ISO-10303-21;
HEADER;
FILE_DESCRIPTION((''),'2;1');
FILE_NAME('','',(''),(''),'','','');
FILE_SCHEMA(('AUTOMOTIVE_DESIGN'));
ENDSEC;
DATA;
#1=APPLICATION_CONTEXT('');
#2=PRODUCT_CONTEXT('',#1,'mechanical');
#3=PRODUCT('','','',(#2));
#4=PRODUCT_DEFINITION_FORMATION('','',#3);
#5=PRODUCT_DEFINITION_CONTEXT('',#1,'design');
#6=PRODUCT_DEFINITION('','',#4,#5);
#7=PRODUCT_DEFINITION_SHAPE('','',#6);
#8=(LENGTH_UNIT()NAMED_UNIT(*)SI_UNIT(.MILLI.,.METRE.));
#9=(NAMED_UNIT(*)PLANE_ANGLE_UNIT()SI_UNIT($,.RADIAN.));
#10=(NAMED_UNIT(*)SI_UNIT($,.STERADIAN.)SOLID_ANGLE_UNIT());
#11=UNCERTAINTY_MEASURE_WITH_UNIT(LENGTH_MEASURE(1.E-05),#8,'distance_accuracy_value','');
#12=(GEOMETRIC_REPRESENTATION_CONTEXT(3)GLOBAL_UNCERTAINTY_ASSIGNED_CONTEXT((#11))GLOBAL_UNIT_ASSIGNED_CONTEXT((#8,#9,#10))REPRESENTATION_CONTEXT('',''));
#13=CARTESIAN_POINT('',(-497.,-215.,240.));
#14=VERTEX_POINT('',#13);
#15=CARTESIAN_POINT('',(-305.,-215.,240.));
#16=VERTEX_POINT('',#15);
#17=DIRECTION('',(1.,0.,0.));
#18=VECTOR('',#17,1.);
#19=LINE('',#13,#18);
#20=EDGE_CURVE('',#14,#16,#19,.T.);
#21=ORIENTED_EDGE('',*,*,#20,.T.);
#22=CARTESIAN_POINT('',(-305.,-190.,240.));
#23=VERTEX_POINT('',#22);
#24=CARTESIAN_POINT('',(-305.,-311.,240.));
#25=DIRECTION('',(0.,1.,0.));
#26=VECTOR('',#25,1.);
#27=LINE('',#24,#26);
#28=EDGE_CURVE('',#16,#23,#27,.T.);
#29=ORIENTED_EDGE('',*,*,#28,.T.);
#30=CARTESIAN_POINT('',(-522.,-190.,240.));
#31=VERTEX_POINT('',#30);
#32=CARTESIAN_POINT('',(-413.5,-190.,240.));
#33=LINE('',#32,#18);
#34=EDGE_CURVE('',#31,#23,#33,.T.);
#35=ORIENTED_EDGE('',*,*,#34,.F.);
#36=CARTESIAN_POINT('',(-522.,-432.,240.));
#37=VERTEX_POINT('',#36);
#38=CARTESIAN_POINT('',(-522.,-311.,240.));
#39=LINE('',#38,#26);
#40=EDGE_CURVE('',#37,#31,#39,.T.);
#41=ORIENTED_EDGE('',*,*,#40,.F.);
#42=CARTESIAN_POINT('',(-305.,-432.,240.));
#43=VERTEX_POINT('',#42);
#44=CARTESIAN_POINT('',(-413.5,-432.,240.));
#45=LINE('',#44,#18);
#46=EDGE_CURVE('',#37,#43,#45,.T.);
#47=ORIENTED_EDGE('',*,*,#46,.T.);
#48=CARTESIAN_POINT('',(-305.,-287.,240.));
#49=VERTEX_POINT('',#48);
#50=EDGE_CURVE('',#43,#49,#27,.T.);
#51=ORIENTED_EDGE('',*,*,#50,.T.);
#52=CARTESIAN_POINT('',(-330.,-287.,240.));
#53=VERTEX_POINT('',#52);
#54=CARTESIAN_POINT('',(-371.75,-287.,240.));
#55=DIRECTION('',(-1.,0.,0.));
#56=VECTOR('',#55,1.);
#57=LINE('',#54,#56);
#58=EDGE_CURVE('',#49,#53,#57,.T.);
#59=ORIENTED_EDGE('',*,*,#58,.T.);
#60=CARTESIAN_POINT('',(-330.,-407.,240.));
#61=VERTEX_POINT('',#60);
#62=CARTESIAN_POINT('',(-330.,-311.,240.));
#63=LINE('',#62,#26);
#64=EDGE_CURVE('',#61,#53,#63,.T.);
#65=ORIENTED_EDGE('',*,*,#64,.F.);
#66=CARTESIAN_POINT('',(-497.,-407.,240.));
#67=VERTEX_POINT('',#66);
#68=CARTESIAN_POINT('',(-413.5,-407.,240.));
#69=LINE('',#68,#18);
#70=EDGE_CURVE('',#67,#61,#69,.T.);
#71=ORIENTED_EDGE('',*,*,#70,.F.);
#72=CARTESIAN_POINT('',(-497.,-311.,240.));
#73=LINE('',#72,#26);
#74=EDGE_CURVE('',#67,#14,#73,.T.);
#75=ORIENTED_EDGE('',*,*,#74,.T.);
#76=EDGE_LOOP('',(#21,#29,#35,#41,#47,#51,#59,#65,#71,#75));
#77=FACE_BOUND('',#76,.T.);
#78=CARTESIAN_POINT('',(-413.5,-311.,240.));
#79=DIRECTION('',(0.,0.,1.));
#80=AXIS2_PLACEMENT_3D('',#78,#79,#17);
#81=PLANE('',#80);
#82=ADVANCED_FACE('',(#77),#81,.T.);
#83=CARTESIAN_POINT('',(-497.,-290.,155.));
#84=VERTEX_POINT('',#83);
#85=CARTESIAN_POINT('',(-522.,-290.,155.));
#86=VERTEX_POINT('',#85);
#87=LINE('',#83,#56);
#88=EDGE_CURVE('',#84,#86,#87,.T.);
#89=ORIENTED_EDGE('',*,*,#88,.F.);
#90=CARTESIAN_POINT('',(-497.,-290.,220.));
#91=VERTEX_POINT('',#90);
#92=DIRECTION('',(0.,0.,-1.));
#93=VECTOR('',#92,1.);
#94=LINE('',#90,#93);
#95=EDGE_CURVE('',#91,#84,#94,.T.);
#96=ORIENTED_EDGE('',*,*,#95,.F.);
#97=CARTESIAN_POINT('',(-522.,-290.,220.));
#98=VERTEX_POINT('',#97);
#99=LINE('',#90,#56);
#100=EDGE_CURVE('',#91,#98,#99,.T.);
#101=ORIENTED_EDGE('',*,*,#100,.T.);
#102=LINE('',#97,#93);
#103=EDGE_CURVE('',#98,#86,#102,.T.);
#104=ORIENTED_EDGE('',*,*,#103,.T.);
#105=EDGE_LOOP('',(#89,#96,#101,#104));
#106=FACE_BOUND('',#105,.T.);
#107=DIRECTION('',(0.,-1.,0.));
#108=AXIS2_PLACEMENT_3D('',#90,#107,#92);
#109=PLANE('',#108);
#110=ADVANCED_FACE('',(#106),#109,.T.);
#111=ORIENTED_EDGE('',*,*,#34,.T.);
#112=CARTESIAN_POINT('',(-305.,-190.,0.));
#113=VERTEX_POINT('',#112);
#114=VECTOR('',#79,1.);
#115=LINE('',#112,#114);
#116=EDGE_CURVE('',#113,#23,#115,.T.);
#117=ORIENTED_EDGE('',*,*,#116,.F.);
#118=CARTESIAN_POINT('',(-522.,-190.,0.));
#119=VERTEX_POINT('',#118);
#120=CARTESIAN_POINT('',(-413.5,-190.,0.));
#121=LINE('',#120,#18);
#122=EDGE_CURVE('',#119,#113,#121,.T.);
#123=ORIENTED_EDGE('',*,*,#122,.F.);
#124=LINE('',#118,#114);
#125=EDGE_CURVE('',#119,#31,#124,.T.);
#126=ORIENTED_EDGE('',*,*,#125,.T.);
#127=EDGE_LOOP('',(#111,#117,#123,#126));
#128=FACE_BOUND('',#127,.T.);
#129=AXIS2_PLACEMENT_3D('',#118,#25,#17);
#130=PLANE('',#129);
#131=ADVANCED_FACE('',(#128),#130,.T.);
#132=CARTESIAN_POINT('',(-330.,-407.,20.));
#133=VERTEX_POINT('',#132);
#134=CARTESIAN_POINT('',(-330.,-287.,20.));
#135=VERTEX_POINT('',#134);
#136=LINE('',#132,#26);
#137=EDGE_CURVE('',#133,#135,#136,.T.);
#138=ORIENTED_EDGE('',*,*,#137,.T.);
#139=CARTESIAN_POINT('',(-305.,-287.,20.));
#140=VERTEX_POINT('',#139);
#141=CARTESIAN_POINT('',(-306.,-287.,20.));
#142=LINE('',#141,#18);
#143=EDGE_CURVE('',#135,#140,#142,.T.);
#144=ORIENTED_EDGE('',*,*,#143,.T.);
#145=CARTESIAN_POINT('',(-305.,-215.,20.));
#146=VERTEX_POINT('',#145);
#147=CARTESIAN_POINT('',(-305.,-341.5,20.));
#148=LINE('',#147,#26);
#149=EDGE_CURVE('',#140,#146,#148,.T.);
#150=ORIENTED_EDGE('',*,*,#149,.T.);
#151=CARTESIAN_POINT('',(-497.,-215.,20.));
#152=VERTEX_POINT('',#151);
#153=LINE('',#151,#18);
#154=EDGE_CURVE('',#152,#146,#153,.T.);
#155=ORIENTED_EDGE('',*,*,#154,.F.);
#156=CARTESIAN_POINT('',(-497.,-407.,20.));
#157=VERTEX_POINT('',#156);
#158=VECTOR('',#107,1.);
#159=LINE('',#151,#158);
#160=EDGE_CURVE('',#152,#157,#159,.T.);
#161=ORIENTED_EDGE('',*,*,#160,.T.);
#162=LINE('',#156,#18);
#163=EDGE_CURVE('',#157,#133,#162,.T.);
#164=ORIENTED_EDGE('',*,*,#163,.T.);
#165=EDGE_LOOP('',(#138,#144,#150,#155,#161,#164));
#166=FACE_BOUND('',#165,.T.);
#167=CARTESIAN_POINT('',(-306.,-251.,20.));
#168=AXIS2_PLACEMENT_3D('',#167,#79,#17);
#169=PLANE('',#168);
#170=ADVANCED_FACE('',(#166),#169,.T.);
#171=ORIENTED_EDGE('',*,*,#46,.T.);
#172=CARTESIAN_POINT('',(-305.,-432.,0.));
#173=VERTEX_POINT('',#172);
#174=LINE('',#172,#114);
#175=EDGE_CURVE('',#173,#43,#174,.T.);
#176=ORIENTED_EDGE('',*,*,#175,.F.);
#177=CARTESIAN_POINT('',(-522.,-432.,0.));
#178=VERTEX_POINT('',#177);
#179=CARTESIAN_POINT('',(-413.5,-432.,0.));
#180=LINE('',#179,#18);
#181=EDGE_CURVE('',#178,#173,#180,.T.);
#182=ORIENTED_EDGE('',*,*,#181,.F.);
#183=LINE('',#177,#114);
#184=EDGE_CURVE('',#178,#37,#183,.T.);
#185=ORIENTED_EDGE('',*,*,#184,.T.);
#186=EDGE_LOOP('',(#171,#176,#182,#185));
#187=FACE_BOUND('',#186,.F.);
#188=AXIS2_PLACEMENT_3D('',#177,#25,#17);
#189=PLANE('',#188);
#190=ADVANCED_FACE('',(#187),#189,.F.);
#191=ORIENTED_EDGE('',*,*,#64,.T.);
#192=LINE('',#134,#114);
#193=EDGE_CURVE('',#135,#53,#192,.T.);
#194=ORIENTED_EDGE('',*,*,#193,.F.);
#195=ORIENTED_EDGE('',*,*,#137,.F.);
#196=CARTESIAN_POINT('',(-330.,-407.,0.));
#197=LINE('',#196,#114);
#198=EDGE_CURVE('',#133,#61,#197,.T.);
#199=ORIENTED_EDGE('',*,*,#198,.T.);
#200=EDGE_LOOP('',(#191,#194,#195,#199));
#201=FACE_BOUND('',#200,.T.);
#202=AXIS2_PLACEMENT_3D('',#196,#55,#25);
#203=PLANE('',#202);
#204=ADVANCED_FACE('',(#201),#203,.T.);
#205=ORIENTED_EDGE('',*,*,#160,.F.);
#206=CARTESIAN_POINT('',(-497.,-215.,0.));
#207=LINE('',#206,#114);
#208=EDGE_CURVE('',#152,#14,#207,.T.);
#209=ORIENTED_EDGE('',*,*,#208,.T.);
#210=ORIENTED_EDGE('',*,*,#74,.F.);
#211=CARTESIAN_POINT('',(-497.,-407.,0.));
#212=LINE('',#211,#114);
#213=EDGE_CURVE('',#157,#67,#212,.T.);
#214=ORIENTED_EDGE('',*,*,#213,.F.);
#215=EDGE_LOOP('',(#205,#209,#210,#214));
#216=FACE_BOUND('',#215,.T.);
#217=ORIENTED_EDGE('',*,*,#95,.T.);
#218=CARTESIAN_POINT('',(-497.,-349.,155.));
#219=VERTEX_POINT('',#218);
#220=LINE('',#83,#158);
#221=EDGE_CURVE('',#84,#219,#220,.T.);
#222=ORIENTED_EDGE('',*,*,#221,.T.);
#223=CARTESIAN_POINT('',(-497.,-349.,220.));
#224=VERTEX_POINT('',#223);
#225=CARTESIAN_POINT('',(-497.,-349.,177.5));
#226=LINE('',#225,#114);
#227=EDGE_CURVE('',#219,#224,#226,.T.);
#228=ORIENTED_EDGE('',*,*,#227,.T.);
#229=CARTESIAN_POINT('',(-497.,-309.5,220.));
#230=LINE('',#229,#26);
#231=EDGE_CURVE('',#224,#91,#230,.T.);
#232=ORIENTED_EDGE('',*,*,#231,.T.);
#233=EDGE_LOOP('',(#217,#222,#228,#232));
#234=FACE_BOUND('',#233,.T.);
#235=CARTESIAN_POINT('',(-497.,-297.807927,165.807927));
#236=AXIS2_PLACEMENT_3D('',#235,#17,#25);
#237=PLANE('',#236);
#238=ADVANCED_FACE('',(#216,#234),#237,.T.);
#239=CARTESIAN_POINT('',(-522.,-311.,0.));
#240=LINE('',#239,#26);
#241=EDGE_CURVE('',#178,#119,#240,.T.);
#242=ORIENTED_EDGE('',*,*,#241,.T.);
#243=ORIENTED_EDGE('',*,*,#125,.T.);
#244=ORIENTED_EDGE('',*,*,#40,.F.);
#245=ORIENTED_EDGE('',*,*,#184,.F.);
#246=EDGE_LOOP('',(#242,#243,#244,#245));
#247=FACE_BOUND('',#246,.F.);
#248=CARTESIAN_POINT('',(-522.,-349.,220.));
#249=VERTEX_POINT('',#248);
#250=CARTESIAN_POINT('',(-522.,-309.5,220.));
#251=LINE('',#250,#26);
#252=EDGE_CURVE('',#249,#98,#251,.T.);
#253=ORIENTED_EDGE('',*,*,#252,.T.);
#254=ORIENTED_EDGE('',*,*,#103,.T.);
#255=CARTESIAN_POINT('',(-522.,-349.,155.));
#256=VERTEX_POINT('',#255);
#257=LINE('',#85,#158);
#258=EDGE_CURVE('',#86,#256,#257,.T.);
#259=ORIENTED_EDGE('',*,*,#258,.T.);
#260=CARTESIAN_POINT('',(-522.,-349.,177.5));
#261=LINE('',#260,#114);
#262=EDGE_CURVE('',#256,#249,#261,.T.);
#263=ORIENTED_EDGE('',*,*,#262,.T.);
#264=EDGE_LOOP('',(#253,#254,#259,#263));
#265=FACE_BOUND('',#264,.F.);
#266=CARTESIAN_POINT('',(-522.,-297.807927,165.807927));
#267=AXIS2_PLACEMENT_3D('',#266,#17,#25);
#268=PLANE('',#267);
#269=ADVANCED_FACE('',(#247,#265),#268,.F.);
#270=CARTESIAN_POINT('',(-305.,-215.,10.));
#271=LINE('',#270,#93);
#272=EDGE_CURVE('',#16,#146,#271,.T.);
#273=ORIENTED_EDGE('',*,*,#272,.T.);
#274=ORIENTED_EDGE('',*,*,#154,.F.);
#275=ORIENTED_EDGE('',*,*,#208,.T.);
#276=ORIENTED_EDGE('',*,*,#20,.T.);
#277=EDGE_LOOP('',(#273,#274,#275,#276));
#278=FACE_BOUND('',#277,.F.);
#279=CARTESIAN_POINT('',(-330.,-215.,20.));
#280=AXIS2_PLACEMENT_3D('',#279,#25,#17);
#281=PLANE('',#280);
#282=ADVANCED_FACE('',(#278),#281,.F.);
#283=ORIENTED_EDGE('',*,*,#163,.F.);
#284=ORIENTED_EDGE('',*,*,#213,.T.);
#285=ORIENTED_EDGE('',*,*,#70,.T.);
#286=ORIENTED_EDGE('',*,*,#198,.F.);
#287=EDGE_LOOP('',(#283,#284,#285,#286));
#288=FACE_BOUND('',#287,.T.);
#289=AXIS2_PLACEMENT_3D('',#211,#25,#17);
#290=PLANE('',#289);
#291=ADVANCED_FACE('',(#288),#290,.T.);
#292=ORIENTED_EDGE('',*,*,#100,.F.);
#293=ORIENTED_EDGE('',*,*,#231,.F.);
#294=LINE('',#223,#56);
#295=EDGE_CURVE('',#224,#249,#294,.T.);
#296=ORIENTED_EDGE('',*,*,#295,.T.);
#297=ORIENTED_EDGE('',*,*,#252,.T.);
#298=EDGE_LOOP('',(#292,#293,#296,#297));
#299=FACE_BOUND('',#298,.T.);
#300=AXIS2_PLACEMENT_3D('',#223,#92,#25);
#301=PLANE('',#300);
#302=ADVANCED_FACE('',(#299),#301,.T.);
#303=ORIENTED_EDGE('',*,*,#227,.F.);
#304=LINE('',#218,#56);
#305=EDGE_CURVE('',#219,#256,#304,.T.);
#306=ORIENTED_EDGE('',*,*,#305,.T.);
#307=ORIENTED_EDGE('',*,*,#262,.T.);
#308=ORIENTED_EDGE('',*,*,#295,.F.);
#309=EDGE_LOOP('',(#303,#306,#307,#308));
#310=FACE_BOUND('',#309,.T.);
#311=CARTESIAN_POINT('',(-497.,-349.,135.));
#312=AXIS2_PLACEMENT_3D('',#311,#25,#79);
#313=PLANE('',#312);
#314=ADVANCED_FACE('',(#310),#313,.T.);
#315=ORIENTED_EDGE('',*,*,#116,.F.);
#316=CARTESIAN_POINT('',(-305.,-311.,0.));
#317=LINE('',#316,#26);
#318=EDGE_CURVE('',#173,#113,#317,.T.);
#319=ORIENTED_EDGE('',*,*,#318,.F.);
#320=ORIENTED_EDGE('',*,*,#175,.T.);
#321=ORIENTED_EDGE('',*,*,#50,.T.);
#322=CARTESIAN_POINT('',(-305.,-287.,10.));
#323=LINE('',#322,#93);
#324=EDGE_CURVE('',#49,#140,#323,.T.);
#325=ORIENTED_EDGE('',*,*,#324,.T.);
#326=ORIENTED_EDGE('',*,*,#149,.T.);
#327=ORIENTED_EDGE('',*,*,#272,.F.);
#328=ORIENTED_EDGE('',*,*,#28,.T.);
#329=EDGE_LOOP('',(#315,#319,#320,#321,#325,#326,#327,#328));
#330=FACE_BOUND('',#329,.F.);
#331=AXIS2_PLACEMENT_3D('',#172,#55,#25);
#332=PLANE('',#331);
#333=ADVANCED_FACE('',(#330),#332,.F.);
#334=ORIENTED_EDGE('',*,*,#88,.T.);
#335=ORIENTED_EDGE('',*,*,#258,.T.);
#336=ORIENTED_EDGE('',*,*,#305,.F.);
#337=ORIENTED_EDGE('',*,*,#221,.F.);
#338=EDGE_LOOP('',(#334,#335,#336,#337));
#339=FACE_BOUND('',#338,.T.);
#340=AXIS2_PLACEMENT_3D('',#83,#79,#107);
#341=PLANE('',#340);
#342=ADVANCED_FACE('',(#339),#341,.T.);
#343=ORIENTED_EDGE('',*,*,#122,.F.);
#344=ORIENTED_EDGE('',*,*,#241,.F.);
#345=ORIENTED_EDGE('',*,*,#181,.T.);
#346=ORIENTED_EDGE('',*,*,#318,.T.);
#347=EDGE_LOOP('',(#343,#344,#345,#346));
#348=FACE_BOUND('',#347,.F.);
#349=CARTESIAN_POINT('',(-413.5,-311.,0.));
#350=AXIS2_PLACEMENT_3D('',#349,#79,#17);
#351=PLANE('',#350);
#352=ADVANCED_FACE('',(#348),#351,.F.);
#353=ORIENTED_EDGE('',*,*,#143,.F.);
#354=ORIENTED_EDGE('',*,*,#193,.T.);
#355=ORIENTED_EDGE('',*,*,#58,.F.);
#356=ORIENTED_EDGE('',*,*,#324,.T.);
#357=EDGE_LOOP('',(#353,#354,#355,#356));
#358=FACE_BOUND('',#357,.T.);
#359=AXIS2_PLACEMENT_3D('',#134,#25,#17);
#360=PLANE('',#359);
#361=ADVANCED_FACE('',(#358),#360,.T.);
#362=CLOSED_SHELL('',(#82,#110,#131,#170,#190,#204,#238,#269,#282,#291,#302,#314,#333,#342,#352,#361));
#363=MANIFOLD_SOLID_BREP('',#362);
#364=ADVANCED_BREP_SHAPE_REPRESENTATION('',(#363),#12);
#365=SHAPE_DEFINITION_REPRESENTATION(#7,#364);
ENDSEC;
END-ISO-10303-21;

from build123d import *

# Parameters (mm, degrees)
F2_DEPTH  = 20
F3_W      = 217
F3_H      = 242
F3_W_2    = 167
F3_H_2    = 192
F4_DEPTH  = 240
F5_W      = 48
F5_H      = 72
F6_DEPTH  = 250
F7_W      = 79
F7_H      = 85
F8_DEPTH  = 25
F10_DEPTH = 25


with BuildPart() as f2:
    # F1 (on face) → F2 (new body)
    with BuildSketch(Plane.XY):
        Polygon((-497, -215), (-497, -231), (-497, -293), (-497, -407), (-330, -407), (-330, -287), (-330, -215), align=None)
    extrude(amount=F2_DEPTH)

    # F3 (on face) → F4 (join)
    with BuildSketch(Plane.XY):
        with Locations((-413.5, -311)):
            Rectangle(F3_W, F3_H)
        with Locations((-413.5, -311)):
            Rectangle(F3_W_2, F3_H_2, mode=Mode.SUBTRACT)
    extrude(amount=F4_DEPTH)

    # F5 (on face) → F6 (cut)
    with BuildSketch(Plane.XY.offset(20)):
        with Locations((-306, -251)):
            Rectangle(F5_W, F5_H)
    extrude(amount=F6_DEPTH, mode=Mode.SUBTRACT)

    # F7 (on face) → F8 (cut)
    with BuildSketch(Plane.YZ.offset(-497)):
        with Locations((-309.5, 177.5)):
            Rectangle(F7_W, F7_H)
    extrude(amount=-F8_DEPTH, mode=Mode.SUBTRACT)

    # F9 (on face) → F10 (join, through all)
    with BuildSketch(Plane.YZ.offset(-497)):
        Polygon((-270, 135), (-270, 220), (-290, 220), (-290, 155), (-349, 155), (-349, 135), align=None)
    extrude(amount=-F10_DEPTH)


solid = f2.part
